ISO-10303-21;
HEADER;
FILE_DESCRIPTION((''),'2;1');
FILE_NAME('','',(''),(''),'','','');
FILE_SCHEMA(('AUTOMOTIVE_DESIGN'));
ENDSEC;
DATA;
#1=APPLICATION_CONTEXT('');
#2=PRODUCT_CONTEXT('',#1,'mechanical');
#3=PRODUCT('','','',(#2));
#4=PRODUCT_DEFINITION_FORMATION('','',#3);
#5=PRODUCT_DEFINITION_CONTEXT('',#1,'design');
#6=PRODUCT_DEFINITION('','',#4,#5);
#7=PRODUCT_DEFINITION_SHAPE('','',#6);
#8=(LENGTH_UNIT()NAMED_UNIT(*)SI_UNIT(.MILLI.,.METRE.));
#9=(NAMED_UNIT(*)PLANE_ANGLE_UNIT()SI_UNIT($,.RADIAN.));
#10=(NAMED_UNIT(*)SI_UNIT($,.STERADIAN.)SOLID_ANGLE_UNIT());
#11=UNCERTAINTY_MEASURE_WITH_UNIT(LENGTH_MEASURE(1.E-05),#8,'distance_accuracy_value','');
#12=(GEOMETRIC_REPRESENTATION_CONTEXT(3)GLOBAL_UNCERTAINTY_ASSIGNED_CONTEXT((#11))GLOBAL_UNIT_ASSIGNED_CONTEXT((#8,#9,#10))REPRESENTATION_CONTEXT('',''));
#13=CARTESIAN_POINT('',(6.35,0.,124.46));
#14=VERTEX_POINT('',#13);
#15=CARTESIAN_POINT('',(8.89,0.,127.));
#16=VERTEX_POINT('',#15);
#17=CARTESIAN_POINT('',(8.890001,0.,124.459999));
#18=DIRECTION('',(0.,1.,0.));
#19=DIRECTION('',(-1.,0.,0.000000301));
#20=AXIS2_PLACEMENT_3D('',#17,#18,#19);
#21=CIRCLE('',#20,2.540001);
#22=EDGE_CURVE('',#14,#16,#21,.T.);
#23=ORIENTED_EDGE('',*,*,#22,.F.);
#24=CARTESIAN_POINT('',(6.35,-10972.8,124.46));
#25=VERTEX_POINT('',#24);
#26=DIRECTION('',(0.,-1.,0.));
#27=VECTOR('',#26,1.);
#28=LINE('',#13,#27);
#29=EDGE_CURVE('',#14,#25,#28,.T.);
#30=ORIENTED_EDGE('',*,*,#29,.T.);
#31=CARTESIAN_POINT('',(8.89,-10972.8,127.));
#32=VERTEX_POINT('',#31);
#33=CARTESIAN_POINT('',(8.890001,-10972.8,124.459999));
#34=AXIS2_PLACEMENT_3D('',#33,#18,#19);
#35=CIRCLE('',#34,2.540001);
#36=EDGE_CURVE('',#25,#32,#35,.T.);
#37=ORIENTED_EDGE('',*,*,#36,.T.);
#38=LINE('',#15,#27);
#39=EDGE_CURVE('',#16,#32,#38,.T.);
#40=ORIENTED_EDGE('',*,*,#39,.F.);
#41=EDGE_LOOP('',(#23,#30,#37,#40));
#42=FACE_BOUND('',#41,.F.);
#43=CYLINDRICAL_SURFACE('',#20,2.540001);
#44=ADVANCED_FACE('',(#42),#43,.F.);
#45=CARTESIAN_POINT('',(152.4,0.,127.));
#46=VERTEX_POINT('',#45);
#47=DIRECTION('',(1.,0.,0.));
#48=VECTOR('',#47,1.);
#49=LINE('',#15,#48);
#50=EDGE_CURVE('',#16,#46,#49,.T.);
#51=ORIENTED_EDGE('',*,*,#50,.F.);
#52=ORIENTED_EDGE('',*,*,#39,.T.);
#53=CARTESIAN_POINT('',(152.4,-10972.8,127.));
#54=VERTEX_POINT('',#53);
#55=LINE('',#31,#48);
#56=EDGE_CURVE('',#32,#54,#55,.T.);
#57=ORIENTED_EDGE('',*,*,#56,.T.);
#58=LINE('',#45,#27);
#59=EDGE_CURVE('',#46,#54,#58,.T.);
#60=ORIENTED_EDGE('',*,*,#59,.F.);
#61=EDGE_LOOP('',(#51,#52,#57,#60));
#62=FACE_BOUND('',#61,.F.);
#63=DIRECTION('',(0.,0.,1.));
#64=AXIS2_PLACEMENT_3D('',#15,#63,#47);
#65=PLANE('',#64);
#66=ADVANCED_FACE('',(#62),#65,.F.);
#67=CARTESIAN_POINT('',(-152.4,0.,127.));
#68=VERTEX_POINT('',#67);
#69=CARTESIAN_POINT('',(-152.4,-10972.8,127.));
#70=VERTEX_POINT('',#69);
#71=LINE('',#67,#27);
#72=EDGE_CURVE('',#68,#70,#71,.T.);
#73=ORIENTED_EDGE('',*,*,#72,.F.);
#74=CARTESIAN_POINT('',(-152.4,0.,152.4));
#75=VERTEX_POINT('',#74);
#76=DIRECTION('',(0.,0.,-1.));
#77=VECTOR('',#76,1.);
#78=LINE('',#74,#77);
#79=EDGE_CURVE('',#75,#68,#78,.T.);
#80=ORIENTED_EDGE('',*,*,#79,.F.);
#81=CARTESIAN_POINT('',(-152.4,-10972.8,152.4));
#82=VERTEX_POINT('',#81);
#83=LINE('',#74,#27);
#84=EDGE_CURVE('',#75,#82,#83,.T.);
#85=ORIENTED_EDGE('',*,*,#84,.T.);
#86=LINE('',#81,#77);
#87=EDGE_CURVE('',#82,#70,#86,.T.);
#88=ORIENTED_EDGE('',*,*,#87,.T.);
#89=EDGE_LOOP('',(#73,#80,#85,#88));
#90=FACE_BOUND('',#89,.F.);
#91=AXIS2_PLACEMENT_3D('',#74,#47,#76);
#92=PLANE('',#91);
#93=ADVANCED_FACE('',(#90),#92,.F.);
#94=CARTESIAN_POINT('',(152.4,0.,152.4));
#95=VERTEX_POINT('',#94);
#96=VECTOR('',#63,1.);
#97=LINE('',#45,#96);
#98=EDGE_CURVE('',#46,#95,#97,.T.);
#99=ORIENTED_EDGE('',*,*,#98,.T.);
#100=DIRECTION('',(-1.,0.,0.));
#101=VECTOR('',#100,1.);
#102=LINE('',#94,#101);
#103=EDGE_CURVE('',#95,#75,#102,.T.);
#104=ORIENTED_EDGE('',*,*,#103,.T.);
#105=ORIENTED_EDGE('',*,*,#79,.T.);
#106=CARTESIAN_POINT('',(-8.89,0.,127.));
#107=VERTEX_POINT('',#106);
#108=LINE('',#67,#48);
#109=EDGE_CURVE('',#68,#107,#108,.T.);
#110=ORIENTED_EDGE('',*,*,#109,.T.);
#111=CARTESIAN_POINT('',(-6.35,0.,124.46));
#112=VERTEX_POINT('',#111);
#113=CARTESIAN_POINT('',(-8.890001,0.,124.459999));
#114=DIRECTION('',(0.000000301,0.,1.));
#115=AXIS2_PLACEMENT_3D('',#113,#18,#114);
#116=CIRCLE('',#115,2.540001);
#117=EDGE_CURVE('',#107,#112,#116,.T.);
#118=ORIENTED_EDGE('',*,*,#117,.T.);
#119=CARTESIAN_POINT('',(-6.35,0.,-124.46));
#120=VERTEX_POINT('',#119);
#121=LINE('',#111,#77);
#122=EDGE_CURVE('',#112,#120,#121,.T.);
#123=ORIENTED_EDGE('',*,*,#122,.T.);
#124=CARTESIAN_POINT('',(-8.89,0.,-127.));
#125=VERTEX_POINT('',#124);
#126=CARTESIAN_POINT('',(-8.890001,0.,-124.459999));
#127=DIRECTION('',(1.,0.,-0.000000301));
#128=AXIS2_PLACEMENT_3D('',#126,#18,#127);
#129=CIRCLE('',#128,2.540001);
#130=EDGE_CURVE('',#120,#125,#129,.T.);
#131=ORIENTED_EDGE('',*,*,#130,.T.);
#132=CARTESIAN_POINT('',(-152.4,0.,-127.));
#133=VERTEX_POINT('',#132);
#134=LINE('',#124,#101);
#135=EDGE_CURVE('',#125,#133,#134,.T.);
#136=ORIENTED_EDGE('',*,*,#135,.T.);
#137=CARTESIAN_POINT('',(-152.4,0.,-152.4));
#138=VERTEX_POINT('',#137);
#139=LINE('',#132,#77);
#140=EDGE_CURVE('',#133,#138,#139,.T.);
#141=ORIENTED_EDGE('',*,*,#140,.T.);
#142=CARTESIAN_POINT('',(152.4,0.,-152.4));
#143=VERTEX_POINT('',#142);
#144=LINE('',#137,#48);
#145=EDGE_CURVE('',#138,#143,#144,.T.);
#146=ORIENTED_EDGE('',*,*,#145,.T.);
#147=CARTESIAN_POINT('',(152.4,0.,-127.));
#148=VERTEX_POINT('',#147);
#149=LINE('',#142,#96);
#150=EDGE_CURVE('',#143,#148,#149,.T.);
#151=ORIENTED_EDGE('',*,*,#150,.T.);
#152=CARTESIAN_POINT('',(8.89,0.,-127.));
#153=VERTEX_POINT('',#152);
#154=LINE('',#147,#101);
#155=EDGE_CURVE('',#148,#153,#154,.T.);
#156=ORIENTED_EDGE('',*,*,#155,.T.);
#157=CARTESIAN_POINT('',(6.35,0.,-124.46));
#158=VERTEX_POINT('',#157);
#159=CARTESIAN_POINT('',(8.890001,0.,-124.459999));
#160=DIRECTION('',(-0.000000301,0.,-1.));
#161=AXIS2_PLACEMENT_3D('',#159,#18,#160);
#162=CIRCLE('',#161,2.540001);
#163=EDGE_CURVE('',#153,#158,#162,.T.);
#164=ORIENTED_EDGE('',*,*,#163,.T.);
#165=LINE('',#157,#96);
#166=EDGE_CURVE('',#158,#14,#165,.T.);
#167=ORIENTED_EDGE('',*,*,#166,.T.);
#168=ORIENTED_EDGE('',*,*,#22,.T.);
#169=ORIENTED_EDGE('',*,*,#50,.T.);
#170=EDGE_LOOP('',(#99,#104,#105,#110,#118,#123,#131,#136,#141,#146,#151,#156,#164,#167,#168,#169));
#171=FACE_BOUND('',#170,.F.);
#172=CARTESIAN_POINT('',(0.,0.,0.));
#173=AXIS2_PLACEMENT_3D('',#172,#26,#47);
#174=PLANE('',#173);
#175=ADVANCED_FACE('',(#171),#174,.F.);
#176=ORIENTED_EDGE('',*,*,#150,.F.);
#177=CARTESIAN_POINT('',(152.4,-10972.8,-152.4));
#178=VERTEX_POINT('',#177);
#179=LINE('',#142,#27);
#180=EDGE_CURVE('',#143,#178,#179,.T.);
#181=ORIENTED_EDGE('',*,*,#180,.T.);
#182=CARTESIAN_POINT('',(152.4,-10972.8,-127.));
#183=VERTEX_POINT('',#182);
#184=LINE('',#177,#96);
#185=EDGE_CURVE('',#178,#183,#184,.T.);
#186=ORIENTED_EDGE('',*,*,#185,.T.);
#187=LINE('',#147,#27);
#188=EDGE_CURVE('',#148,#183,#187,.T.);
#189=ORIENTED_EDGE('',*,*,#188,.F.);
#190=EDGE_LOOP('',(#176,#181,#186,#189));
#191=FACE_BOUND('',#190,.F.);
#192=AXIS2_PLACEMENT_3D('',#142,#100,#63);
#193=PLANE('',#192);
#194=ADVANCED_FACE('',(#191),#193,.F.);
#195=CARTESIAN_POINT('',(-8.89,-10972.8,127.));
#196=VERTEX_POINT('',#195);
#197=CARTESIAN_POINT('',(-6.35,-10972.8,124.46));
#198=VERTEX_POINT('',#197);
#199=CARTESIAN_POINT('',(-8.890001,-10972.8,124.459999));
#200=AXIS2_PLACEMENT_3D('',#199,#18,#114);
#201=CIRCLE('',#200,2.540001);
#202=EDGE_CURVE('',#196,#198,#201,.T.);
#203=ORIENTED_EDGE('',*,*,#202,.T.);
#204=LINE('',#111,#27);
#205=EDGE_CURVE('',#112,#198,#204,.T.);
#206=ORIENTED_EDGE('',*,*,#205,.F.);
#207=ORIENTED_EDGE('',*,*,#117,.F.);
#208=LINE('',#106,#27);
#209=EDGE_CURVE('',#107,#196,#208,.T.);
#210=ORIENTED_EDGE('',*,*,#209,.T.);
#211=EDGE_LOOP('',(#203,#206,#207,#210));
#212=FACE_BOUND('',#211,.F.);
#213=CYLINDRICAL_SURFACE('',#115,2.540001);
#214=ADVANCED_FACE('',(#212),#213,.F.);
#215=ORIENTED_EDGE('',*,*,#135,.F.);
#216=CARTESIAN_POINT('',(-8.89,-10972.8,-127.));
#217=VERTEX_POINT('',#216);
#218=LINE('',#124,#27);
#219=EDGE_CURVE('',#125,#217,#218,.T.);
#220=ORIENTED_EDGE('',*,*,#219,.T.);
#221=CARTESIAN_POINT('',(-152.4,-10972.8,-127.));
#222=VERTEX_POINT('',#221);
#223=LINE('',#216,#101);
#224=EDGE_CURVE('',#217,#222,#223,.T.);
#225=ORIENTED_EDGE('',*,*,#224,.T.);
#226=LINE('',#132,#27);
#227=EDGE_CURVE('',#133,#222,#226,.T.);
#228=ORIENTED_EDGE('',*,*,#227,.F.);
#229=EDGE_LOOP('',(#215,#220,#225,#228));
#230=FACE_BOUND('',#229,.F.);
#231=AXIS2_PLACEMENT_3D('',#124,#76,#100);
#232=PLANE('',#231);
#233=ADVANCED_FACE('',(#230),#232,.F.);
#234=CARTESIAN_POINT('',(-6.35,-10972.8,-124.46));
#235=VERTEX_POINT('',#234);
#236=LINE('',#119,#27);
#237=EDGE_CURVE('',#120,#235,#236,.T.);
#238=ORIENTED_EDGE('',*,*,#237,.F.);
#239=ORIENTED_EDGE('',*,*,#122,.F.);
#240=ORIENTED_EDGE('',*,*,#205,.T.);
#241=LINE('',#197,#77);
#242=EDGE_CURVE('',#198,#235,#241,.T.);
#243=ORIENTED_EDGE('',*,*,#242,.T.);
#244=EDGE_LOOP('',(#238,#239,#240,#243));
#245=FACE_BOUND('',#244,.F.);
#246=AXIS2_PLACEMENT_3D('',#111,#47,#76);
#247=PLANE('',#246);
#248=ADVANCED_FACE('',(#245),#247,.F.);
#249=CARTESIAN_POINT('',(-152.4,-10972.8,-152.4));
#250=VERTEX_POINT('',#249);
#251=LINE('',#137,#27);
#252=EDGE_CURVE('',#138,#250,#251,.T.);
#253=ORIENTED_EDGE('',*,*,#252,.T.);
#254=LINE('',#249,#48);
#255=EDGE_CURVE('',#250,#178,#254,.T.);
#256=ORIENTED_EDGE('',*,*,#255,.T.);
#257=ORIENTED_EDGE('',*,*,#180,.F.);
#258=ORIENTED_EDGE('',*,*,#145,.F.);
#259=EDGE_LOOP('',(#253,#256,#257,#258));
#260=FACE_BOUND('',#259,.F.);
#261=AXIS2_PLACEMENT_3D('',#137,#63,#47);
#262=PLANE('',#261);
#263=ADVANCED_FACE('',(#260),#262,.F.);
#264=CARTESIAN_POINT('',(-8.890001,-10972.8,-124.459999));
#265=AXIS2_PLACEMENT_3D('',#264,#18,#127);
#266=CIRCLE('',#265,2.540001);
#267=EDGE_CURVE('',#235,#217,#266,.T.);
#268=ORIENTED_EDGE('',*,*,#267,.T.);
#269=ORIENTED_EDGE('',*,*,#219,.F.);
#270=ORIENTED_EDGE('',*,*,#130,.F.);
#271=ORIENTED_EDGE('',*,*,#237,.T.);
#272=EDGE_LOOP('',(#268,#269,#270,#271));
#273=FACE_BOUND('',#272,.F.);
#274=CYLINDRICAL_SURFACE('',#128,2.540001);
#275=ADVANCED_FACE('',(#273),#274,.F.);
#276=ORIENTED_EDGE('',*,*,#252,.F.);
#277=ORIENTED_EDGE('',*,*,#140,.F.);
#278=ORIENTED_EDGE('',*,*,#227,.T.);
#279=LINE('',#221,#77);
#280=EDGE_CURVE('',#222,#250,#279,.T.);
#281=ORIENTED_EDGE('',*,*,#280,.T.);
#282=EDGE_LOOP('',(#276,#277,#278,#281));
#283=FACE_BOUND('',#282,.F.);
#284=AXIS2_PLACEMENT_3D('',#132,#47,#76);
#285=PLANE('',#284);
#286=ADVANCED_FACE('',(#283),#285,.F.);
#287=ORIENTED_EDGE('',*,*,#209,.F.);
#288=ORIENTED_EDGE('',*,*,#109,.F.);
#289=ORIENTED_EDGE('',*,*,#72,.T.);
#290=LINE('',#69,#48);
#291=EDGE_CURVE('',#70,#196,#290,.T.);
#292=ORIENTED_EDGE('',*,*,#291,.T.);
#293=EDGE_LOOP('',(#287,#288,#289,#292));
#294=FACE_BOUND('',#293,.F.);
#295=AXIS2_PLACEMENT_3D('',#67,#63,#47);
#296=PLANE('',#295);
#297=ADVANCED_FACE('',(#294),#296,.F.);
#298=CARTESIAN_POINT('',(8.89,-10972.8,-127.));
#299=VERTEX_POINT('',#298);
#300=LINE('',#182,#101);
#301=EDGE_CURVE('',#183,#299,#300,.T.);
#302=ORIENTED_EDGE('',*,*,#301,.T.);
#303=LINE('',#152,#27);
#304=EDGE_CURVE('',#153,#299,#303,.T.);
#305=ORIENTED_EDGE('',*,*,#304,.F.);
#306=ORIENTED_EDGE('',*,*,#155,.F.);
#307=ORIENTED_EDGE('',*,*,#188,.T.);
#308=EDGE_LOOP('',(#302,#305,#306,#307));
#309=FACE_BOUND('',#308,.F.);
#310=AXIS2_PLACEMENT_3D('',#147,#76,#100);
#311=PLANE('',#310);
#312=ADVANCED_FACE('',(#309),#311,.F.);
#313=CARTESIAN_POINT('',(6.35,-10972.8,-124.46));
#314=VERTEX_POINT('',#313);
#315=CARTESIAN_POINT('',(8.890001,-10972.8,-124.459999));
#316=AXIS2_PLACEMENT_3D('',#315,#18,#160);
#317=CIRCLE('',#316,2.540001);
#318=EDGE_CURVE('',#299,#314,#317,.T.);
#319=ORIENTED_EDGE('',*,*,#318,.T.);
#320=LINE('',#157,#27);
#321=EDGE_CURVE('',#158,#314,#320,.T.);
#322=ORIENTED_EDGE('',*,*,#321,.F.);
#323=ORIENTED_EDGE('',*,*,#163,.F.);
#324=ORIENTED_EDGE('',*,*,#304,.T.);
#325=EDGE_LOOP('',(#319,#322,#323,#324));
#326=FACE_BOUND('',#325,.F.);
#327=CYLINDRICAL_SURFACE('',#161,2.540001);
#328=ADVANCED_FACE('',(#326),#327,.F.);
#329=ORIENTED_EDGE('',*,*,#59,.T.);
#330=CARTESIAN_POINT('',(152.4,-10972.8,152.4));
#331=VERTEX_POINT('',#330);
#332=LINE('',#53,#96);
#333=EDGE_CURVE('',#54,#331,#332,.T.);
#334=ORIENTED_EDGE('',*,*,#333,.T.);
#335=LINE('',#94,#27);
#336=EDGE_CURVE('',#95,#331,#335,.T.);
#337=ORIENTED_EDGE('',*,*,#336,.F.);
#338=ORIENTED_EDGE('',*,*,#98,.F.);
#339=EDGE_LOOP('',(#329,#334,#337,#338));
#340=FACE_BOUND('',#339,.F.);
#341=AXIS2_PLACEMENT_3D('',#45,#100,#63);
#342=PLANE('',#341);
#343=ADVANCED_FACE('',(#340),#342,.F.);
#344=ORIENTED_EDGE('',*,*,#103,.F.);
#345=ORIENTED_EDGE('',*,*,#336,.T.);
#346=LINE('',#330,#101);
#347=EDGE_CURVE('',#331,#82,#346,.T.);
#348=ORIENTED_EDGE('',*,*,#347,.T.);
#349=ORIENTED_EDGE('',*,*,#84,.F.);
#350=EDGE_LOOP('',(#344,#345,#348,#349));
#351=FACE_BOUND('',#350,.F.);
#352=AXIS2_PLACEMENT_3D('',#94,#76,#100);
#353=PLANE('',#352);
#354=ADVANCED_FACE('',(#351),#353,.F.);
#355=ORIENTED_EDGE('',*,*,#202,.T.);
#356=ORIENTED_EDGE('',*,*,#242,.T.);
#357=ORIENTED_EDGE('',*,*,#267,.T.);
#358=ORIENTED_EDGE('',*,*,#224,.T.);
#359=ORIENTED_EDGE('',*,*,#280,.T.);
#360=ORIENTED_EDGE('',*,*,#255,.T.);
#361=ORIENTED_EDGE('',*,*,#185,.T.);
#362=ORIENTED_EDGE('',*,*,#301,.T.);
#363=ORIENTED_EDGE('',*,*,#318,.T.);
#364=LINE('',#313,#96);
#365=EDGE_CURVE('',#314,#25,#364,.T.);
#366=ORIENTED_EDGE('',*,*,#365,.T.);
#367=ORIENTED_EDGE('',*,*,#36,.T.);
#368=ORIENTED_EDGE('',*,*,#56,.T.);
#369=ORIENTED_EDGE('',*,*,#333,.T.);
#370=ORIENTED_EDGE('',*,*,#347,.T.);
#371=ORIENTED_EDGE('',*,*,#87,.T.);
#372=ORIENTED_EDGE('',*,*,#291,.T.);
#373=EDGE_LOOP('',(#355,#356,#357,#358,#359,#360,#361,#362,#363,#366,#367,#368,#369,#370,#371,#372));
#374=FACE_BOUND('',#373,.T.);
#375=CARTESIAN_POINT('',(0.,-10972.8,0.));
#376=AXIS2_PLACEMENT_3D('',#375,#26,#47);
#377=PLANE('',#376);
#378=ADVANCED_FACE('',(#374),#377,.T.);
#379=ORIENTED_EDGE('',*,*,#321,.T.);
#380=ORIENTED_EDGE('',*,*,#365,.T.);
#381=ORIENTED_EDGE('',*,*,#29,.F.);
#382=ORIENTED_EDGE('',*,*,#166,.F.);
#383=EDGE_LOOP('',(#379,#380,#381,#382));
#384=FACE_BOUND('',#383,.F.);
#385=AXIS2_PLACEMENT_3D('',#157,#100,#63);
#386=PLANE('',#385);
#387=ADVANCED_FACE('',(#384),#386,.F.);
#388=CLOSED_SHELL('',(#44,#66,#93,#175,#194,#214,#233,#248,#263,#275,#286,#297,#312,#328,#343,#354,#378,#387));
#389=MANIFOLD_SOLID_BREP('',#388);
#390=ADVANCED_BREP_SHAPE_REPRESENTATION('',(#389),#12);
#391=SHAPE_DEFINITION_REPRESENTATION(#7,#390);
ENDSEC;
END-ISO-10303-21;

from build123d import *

# Parameters (mm, degrees)
F1_DEPTH = 10972.8


with BuildPart() as f1:
    # F0 (on Front) → F1 (new body)
    with BuildSketch(Plane.XZ):
        with BuildLine():
            Line((152.4, -152.4), (152.4, -127))
            Line((152.4, -127), (8.89, -127))
            ThreePointArc((8.89, -127), (7.093949, -126.256051), (6.35, -124.46))
            Line((6.35, -124.46), (6.35, 124.46))
            ThreePointArc((6.35, 124.46), (7.093949, 126.256051), (8.89, 127))
            Line((8.89, 127), (152.4, 127))
            Line((152.4, 127), (152.4, 152.4))
            Line((152.4, 152.4), (-152.4, 152.4))
            Line((-152.4, 152.4), (-152.4, 127))
            Line((-152.4, 127), (-8.89, 127))
            ThreePointArc((-8.89, 127), (-7.093949, 126.256051), (-6.35, 124.46))
            Line((-6.35, 124.46), (-6.35, -124.46))
            ThreePointArc((-6.35, -124.46), (-7.093949, -126.256051), (-8.89, -127))
            Line((-8.89, -127), (-152.4, -127))
            Line((-152.4, -127), (-152.4, -152.4))
            Line((-152.4, -152.4), (152.4, -152.4))
        make_face()
    extrude(amount=F1_DEPTH)


solid = f1.part
